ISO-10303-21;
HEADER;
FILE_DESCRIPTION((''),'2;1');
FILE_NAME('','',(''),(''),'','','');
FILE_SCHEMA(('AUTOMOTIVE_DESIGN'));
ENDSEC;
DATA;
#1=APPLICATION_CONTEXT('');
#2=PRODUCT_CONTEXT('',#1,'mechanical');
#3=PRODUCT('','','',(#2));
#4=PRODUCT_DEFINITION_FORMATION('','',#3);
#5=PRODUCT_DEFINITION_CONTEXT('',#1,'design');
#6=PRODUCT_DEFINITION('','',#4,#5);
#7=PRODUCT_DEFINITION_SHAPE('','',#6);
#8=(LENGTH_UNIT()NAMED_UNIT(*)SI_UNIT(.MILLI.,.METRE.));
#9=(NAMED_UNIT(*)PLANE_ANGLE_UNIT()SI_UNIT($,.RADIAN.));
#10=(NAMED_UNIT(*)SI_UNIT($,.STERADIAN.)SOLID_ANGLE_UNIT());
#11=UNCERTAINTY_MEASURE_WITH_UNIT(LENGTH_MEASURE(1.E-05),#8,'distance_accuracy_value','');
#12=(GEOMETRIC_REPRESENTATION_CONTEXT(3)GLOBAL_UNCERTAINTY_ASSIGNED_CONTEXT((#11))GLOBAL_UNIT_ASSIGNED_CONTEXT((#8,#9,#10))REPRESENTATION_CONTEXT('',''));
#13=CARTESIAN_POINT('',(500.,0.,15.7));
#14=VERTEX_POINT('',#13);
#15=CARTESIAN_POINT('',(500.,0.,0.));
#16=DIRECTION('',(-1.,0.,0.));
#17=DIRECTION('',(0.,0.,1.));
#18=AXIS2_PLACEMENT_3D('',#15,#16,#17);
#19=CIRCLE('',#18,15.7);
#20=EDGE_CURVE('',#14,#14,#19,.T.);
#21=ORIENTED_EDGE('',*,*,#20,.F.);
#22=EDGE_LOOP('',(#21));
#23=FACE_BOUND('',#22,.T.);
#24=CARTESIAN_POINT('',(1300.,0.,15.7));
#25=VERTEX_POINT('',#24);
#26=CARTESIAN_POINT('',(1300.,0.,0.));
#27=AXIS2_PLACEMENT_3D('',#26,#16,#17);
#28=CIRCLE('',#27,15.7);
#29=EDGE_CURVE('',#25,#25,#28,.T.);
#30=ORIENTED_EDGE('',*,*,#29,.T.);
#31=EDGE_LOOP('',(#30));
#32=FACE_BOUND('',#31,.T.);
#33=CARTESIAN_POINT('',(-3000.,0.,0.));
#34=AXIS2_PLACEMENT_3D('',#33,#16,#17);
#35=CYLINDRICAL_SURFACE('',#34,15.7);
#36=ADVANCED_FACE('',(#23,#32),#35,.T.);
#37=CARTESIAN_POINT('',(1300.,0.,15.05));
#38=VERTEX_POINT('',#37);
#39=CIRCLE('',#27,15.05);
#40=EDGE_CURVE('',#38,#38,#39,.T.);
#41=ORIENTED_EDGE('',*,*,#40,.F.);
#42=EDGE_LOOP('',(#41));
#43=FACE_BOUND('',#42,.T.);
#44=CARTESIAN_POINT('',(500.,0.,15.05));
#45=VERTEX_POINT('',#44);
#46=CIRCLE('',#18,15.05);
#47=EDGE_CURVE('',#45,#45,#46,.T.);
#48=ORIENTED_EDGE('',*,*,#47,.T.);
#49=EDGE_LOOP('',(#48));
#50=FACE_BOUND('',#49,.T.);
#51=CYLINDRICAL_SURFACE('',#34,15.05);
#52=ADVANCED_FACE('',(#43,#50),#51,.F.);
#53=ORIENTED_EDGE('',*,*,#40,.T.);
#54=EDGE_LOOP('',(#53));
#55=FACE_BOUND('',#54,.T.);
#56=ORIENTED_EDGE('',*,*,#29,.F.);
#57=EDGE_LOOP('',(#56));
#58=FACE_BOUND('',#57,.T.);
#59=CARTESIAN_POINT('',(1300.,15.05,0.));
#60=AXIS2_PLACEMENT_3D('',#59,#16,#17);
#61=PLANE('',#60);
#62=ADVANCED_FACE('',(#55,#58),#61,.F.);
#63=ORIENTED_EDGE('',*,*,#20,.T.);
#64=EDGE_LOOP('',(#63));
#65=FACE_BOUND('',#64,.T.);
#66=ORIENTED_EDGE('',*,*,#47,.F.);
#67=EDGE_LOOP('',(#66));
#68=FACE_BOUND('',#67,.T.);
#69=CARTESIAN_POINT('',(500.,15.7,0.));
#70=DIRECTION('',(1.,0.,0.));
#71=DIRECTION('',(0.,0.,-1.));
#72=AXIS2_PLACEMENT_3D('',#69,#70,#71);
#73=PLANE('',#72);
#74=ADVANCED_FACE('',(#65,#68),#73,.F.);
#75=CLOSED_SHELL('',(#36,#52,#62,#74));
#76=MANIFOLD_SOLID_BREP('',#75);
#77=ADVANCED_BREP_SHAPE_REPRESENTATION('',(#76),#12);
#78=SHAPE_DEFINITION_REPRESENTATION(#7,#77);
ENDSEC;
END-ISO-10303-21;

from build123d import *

# Parameters (mm, degrees)
LEG_SLEEVE_SKETCH_W = 800
LEG_SLEEVE_SKETCH_H = 0.65


with BuildPart() as part:
    # Leg_Sleeve Sketch → Leg_Sleeve (revolve)
    with BuildSketch(Plane.XY):
        with Locations((900, 15.375)):
            Rectangle(LEG_SLEEVE_SKETCH_W, LEG_SLEEVE_SKETCH_H)
    revolve(axis=Axis((-3000, 0, 0), (1, 0, 0)))


solid = part.part
